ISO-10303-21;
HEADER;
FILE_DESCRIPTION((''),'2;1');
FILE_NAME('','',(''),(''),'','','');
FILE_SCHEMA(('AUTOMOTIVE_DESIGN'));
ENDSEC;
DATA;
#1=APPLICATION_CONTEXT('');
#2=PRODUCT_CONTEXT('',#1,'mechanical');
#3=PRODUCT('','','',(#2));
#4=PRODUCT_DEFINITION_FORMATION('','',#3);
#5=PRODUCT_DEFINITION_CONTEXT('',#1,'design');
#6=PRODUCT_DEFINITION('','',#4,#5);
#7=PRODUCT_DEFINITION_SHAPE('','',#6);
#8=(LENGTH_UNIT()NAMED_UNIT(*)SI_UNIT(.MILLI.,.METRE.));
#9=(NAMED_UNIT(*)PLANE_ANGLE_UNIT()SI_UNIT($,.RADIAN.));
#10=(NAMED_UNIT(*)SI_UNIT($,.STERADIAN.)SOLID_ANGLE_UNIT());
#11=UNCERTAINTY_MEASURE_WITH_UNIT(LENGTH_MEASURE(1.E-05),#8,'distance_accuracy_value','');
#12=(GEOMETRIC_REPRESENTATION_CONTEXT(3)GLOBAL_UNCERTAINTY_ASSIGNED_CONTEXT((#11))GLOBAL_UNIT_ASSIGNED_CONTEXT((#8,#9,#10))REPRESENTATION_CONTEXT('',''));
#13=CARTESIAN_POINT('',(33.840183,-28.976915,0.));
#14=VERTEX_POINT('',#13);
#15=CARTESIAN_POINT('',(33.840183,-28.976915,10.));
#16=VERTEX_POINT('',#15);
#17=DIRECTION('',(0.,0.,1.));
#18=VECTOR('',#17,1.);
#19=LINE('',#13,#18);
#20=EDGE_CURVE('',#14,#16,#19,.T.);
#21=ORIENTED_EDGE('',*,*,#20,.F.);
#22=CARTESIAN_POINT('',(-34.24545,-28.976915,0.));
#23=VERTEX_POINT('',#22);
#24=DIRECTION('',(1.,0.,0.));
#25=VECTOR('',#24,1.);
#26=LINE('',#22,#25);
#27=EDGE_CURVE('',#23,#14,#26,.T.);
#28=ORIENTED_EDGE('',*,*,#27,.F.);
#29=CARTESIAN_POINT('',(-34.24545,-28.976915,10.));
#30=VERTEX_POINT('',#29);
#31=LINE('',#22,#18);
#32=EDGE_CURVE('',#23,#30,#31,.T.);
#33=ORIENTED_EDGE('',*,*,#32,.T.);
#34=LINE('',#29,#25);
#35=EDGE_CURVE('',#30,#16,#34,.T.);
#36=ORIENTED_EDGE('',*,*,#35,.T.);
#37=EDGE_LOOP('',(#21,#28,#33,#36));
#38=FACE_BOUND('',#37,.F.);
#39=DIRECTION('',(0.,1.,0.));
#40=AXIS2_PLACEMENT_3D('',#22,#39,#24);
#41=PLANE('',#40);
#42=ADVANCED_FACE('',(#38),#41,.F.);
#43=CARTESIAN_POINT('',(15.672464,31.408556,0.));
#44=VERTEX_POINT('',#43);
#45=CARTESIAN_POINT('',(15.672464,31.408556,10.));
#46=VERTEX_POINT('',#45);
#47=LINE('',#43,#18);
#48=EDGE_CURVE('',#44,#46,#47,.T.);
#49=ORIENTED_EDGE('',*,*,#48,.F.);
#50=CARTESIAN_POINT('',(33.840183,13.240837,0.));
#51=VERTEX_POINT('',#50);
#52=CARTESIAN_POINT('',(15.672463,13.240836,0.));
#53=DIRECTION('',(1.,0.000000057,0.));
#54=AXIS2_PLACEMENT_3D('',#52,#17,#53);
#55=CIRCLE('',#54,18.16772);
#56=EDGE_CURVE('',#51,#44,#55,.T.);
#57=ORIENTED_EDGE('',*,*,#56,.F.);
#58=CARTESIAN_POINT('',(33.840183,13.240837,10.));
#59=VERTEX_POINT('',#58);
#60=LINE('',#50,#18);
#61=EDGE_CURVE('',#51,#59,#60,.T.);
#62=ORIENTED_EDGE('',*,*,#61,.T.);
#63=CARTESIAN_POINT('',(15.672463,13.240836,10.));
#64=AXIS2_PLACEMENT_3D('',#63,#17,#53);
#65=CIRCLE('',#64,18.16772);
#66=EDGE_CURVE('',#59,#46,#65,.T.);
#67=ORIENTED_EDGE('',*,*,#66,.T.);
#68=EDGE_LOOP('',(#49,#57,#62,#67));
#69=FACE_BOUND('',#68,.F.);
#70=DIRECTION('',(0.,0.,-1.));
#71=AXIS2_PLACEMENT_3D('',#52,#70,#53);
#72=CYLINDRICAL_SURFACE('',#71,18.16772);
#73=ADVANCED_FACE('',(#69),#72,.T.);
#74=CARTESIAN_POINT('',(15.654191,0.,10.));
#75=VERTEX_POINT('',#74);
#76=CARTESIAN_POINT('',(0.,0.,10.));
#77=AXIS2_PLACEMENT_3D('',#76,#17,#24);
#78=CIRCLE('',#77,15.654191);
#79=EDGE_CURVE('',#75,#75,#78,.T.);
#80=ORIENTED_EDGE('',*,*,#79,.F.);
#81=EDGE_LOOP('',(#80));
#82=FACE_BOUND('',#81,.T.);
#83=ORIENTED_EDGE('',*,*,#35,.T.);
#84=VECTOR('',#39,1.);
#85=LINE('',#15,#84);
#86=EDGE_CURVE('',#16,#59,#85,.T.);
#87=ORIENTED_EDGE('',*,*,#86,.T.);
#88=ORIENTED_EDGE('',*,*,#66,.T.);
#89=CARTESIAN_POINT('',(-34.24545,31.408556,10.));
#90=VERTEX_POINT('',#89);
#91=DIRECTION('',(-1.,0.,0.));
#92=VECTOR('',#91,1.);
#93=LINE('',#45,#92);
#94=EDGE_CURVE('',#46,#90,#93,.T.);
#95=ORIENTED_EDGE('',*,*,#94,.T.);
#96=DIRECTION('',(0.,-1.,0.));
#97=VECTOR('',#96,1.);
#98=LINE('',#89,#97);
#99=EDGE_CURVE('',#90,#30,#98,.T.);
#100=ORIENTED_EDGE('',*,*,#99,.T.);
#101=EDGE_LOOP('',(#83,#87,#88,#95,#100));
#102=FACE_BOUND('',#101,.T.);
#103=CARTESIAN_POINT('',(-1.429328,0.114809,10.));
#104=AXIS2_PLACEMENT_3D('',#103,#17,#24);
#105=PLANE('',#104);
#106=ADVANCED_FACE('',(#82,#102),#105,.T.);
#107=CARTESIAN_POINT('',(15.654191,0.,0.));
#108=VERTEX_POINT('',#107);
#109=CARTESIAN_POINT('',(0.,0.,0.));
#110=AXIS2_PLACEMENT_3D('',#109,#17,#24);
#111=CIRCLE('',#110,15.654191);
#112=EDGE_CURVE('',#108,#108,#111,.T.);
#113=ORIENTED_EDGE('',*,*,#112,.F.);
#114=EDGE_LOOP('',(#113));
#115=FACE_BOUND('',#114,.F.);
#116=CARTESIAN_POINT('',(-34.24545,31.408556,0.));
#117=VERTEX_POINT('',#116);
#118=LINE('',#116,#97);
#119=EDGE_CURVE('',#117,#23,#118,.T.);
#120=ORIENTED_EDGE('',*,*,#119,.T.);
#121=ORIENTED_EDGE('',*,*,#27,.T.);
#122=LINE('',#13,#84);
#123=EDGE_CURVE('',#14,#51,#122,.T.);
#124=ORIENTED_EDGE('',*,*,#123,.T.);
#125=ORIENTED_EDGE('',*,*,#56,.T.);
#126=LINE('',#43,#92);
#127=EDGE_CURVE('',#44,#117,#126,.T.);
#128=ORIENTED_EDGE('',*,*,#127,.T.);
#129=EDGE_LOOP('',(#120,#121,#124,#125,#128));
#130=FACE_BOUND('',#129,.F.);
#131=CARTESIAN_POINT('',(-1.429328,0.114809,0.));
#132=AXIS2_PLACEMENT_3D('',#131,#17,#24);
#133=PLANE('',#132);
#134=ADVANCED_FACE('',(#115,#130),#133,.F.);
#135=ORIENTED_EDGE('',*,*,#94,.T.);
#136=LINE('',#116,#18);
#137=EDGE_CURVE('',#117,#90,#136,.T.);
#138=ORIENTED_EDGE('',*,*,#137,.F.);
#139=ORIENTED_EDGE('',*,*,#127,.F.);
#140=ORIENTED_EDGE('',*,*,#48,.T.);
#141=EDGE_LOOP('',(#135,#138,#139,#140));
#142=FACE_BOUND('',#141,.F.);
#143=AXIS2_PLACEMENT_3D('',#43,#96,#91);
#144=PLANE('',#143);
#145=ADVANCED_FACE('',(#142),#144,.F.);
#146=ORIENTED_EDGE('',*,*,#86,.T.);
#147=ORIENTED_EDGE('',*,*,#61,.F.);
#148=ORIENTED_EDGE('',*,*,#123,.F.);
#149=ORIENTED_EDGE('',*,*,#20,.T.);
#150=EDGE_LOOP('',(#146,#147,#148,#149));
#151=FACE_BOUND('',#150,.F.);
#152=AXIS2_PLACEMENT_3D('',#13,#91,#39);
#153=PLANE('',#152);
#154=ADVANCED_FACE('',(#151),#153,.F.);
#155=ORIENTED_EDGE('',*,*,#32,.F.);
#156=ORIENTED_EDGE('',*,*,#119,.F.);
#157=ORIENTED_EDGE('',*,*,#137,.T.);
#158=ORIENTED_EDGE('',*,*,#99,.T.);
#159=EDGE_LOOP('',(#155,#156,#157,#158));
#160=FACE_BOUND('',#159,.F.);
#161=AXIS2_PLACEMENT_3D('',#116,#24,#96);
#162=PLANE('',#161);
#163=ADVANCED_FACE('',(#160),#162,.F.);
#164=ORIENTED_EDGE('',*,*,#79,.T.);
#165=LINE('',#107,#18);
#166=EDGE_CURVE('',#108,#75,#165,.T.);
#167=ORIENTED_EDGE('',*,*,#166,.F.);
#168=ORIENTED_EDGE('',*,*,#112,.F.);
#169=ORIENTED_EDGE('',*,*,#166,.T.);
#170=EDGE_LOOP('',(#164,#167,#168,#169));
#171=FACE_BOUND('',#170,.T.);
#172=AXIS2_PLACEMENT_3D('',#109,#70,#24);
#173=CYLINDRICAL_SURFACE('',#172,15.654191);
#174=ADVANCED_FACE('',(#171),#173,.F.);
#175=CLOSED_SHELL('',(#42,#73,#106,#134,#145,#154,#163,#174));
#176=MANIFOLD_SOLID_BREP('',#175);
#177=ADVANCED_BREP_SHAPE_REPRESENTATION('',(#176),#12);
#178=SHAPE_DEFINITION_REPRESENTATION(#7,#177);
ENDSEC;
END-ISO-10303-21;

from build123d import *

# Parameters (mm, degrees)
F0_R     = 15.654191
F1_DEPTH = 10


with BuildPart() as f1:
    # F0 (on Top) → F1 (new body)
    with BuildSketch(Plane.XY):
        with BuildLine():
            Line((15.672464, 31.408556), (-34.24545, 31.408556))
            Line((-34.24545, 31.408556), (-34.24545, -28.976915))
            Line((-34.24545, -28.976915), (33.840183, -28.976915))
            Line((33.840183, -28.976915), (33.840183, 13.240837))
            ThreePointArc((33.840183, 13.240837), (28.518981, 26.087354), (15.672464, 31.408556))
        make_face()
        Circle(F0_R, mode=Mode.SUBTRACT)
    extrude(amount=F1_DEPTH)


solid = f1.part
